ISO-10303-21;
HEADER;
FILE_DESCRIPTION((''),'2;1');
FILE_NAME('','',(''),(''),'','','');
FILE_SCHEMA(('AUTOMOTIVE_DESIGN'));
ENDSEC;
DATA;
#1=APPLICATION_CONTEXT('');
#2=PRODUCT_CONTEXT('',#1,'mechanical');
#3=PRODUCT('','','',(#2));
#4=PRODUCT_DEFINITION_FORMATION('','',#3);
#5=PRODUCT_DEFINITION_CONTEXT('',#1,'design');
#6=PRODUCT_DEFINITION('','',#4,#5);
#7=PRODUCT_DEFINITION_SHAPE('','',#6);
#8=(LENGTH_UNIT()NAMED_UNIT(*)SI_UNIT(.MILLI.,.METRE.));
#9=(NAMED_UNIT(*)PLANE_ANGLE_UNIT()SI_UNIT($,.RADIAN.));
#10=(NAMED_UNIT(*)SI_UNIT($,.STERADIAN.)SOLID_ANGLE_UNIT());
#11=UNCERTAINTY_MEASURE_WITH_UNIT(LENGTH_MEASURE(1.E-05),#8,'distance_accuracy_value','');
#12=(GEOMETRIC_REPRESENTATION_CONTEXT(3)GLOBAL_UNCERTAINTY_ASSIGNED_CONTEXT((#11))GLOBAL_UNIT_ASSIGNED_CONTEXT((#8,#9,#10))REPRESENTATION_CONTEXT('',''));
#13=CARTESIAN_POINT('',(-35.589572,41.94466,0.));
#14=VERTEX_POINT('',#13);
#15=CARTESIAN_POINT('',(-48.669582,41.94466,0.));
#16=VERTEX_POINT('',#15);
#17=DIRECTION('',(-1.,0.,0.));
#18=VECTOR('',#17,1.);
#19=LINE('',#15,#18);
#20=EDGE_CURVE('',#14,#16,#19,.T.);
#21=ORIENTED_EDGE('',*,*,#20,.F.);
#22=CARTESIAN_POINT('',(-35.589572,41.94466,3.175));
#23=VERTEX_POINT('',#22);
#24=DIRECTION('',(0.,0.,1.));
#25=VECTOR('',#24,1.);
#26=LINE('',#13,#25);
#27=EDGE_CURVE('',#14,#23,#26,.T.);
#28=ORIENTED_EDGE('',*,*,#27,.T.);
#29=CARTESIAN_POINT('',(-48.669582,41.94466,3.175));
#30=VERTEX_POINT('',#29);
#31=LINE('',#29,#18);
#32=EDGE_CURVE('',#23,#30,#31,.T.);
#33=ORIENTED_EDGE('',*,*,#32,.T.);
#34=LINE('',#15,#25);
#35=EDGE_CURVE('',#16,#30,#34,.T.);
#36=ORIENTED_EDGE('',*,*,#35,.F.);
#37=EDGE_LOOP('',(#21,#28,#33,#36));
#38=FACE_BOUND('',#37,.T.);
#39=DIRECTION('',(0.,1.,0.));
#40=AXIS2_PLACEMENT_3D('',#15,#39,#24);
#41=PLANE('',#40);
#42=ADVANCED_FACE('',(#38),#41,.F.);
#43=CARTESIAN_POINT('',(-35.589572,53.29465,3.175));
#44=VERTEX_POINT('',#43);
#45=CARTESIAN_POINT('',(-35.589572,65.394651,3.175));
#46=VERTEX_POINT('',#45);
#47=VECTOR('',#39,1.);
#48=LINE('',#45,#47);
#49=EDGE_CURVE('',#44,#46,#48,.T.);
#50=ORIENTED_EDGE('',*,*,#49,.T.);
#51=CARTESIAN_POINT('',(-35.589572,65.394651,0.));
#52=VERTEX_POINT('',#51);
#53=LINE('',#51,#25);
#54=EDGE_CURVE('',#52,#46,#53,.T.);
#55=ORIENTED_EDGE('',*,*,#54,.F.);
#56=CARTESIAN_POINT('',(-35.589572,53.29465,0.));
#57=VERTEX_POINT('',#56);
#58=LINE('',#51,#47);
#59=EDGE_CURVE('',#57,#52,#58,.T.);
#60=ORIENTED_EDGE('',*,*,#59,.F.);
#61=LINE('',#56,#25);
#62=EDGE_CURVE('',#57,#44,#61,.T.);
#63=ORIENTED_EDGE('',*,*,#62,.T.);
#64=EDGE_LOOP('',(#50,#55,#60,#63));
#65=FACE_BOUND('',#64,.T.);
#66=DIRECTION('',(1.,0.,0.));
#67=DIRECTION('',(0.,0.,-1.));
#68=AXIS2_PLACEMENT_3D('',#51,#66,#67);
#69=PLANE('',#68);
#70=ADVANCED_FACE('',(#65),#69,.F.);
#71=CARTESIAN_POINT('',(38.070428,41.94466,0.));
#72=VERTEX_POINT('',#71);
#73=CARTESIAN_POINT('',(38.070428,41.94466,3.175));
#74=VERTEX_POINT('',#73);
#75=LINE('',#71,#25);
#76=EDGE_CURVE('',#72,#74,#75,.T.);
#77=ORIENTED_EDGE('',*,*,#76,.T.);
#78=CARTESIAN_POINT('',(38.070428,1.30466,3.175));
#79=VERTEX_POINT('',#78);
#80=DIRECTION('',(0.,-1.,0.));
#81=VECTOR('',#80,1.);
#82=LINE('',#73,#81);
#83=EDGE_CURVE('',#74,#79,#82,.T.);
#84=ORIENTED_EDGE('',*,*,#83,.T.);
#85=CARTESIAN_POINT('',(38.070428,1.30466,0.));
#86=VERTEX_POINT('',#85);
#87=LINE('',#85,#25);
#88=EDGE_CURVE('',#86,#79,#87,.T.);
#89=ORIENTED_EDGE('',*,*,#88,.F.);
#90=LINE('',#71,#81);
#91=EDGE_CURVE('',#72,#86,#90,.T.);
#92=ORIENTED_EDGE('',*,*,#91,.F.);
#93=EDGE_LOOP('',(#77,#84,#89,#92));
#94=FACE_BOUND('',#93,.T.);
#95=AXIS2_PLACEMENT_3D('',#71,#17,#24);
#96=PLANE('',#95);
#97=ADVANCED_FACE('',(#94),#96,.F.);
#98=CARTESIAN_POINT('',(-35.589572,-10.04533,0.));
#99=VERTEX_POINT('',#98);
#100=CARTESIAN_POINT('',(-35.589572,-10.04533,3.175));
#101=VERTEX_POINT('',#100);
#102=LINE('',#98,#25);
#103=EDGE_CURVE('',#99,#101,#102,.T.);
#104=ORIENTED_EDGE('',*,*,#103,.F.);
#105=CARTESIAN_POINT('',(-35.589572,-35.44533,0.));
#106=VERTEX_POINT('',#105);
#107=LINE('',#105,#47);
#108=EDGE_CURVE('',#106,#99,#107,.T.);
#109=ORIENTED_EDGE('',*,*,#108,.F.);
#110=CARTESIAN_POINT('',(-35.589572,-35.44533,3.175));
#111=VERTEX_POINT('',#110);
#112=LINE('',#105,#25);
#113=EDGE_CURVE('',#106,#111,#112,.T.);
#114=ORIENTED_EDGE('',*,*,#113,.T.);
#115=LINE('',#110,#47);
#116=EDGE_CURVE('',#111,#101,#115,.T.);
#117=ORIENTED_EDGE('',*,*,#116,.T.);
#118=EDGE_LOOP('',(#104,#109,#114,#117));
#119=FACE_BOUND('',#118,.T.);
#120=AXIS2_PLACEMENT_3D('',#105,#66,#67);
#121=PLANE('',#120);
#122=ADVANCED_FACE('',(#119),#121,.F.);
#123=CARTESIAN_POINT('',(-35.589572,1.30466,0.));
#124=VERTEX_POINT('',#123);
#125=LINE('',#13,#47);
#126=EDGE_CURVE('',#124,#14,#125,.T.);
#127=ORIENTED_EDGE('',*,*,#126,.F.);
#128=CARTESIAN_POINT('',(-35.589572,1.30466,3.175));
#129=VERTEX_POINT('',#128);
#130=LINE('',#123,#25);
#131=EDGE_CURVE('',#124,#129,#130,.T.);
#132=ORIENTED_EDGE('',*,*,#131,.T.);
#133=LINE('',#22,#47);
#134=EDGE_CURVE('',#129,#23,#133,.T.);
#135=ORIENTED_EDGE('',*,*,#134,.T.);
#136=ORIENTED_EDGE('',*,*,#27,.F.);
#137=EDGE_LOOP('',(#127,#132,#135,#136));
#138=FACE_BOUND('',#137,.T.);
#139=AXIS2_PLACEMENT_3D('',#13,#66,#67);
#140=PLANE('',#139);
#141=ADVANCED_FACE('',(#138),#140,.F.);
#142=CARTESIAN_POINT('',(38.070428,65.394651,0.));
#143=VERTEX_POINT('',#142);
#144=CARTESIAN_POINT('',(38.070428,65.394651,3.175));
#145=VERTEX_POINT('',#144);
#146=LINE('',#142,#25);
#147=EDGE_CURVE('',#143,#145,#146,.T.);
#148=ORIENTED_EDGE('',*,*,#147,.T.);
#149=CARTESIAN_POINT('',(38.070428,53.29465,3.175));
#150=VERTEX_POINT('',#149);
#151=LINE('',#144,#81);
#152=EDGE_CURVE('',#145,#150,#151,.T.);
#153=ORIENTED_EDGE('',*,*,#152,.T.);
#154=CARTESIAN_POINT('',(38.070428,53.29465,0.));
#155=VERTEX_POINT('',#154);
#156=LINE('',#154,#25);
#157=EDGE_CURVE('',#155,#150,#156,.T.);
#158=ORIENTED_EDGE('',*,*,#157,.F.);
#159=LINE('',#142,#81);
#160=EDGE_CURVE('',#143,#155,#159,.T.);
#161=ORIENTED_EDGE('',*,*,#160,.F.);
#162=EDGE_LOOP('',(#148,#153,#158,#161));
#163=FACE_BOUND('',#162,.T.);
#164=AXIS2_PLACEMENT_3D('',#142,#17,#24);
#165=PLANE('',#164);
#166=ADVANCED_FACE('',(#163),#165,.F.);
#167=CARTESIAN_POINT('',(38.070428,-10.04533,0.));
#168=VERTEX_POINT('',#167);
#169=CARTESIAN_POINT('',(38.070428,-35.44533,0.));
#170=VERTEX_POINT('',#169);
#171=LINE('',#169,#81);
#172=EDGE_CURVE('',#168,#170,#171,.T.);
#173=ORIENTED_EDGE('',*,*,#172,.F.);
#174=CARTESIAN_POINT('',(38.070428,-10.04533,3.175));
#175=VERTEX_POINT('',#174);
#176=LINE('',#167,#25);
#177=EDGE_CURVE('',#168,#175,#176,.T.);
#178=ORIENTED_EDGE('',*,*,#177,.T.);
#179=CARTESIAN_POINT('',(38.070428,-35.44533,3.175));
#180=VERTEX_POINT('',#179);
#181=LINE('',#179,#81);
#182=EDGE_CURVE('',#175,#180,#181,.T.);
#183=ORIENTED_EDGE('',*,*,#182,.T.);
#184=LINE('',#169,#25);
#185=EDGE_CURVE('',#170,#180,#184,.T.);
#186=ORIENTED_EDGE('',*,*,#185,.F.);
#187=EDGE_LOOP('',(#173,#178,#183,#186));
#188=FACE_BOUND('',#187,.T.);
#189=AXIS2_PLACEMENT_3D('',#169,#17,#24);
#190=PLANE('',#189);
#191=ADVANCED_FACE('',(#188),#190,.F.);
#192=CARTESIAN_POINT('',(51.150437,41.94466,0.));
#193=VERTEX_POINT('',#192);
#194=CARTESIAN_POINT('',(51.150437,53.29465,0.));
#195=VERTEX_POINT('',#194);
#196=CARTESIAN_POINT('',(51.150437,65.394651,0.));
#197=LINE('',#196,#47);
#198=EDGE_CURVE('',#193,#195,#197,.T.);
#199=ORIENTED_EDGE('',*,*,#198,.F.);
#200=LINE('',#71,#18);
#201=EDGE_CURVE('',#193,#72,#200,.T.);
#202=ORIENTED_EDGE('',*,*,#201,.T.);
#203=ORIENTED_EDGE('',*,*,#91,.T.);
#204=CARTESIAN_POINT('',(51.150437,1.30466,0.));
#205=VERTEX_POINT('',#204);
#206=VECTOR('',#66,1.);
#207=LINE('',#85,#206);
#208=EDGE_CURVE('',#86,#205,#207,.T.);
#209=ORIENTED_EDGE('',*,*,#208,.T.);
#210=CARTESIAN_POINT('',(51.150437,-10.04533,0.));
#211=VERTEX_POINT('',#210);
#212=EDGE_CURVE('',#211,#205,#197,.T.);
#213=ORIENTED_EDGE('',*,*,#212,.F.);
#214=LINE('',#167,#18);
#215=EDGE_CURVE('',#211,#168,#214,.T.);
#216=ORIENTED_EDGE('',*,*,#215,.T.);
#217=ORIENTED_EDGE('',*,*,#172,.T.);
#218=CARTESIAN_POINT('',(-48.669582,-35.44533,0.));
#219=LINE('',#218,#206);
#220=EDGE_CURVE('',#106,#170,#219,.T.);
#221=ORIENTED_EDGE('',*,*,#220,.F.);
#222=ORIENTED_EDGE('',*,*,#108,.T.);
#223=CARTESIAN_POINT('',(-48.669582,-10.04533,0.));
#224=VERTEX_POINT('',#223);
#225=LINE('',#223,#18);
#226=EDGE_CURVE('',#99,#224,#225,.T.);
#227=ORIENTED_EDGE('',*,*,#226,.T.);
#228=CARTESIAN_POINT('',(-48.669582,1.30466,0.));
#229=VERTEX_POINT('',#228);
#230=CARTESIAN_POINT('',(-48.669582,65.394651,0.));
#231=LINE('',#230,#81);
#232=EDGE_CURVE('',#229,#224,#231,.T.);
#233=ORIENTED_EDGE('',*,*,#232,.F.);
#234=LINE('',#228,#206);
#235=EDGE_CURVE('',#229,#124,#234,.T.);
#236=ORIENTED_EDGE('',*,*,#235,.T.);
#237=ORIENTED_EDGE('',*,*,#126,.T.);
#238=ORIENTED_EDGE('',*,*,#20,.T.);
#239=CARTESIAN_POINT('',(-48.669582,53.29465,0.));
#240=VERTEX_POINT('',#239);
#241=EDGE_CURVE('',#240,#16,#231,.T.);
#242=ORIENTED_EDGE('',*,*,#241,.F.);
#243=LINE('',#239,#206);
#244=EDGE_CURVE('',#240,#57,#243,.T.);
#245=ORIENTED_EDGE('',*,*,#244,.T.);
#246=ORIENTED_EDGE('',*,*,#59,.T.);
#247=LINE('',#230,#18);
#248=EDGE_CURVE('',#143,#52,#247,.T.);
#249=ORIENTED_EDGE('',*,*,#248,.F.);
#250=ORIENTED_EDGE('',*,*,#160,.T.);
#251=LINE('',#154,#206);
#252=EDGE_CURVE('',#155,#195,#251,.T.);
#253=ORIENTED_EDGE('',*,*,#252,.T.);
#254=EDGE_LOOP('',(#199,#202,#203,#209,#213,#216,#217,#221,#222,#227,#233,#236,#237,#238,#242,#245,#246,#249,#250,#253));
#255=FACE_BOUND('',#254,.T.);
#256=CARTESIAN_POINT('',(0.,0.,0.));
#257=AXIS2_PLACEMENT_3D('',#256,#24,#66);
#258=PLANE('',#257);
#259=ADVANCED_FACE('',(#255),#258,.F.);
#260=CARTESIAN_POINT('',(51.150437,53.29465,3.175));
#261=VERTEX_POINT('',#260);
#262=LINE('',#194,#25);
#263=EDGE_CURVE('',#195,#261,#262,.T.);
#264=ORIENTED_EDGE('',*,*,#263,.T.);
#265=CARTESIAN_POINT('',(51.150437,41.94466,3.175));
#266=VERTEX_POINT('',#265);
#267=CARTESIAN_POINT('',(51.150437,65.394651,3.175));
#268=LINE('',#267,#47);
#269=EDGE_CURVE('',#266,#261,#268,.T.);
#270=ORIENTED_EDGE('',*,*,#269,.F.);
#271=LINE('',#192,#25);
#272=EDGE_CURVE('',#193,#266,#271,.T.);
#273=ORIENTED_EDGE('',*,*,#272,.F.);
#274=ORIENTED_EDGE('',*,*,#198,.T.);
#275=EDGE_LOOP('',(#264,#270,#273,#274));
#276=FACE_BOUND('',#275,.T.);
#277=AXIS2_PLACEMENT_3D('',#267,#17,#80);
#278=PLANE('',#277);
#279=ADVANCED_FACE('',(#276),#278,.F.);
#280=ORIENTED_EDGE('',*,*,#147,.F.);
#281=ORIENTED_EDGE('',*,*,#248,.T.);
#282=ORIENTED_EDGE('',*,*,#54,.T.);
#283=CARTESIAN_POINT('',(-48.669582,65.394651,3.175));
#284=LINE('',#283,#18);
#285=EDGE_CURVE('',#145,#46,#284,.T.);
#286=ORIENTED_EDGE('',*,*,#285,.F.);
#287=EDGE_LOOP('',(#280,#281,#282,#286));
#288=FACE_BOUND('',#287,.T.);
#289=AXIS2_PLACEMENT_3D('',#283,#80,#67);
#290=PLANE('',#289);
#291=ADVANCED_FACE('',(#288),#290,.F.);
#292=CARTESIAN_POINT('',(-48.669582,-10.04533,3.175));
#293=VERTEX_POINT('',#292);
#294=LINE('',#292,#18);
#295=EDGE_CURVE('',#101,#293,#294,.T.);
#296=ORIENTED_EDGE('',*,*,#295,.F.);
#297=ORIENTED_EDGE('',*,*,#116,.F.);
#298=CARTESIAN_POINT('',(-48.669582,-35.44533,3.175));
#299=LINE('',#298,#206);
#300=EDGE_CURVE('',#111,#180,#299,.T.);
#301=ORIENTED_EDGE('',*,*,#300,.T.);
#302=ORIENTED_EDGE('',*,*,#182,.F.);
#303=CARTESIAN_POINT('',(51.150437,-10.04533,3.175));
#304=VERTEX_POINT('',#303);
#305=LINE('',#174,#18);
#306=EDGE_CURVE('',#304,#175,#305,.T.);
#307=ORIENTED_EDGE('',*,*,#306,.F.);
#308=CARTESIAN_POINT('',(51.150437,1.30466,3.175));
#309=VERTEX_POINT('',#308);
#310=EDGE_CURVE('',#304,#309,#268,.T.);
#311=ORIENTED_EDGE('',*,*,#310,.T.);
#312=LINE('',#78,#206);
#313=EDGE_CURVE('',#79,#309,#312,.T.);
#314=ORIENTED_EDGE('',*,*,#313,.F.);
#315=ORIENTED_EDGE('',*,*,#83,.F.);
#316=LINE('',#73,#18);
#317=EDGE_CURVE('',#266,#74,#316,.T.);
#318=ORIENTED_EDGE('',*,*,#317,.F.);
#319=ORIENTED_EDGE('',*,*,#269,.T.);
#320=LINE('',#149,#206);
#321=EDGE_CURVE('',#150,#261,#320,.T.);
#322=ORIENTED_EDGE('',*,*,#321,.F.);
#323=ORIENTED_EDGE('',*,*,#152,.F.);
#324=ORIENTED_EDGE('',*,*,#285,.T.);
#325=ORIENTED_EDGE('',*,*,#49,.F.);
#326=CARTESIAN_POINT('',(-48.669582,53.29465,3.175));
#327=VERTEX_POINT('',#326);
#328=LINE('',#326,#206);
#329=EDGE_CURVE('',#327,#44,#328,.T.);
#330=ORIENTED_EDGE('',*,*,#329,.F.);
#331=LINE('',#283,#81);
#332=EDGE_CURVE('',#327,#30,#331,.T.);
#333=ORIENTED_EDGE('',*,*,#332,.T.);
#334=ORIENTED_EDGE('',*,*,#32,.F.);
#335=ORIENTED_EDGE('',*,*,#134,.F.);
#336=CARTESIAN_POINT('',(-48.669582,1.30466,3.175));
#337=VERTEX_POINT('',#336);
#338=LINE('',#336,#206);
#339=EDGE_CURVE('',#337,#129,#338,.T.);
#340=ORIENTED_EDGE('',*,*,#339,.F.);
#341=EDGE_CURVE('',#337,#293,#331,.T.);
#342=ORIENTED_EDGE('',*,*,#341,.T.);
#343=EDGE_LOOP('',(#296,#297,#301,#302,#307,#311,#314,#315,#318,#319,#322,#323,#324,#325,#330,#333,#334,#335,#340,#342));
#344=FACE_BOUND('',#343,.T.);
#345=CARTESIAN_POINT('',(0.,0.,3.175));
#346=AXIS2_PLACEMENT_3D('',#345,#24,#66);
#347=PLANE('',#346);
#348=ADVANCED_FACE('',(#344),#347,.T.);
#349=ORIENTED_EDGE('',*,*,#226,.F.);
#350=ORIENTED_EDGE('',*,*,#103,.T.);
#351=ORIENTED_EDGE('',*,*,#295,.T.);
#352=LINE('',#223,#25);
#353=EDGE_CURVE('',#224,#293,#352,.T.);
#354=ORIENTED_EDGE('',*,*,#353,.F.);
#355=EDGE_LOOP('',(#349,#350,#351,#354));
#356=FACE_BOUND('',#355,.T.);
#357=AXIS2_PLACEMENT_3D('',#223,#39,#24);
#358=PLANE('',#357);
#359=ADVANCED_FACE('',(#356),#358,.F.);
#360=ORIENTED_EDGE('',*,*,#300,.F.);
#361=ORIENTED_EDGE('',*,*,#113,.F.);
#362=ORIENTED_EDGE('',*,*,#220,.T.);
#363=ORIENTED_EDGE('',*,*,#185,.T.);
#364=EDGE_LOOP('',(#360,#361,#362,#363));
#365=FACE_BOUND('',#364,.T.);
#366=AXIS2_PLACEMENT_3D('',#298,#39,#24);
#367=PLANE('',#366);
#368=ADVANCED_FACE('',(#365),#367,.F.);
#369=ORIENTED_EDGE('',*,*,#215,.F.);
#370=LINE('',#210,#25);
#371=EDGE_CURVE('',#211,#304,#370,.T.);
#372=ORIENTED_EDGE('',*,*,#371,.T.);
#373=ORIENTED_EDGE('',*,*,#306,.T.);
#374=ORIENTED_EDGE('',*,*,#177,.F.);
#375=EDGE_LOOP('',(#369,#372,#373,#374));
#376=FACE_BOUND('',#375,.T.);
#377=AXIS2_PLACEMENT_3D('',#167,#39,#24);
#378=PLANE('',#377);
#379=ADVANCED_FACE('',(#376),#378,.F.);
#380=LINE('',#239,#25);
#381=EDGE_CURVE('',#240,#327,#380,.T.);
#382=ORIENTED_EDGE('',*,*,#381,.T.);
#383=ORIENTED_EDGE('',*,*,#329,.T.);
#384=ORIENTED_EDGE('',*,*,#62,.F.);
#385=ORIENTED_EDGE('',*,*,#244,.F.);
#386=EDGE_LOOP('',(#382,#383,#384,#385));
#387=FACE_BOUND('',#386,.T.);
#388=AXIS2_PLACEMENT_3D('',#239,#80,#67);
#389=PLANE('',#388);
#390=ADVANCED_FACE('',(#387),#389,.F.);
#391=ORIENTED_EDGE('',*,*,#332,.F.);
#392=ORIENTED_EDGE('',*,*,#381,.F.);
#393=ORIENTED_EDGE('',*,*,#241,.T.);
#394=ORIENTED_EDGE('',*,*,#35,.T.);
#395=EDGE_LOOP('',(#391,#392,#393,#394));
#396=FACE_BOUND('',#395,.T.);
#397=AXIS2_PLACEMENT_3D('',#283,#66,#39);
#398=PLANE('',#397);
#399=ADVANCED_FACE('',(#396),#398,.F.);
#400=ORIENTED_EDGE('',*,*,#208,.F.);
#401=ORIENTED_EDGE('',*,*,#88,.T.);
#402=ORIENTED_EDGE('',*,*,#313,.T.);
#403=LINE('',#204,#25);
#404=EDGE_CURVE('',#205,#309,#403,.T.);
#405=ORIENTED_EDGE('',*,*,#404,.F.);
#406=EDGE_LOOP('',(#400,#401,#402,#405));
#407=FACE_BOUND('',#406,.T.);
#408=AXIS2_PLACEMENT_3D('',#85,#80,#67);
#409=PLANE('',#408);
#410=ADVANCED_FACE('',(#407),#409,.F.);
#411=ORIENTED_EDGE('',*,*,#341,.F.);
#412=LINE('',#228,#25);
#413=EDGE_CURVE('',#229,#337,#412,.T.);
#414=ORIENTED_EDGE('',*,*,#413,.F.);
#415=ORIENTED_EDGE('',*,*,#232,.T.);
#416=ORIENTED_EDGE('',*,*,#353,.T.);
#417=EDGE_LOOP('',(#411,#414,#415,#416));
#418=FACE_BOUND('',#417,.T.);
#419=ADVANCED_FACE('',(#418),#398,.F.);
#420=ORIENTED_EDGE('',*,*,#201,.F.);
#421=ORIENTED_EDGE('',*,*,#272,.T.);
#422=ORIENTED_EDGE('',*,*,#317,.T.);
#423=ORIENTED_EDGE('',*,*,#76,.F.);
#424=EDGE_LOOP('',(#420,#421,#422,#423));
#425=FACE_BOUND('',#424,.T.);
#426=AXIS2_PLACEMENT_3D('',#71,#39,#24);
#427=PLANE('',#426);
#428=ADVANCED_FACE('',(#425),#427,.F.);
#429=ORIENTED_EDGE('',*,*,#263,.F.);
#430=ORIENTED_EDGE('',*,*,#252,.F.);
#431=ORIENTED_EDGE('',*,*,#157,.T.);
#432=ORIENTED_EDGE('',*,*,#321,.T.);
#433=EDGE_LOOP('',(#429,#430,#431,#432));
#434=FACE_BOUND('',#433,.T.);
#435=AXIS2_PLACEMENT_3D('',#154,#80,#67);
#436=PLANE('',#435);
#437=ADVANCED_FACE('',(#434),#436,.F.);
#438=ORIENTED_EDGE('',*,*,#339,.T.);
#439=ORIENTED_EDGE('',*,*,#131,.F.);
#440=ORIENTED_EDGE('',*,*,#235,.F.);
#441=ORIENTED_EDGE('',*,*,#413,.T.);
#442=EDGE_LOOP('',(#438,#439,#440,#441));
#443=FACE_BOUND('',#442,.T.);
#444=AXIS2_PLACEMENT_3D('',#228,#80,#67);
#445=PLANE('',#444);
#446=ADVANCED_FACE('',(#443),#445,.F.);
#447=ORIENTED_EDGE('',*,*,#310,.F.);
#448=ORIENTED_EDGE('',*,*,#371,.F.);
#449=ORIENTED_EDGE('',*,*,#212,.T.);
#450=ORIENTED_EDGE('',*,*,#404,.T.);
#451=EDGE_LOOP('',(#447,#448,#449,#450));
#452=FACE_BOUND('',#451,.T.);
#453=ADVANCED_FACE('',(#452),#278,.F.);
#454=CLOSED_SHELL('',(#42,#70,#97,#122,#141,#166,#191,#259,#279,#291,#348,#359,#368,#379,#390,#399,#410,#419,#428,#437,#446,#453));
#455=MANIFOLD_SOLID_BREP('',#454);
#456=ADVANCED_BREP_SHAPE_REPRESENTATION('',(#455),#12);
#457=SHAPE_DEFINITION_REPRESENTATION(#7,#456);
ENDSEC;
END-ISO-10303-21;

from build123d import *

# Parameters (mm, degrees)
SKETCH1_W           = 99.8200188
SKETCH1_H           = 100.8399812
BOSS_EXTRUDE1_DEPTH = 3.175
SKETCH3_W           = 13.0800094
SKETCH3_H           = 12.1000012
SKETCH3_H_2         = 40.64
SKETCH3_H_3         = 25.4
CUT_EXTRUDE1_DEPTH  = 3.175


with BuildPart() as part:
    # Sketch1 → Boss-Extrude1 (new body)
    with BuildSketch(Plane.XY):
        with Locations((1.240427696, 14.974660495)):
            Rectangle(SKETCH1_W, SKETCH1_H)
    extrude(amount=BOSS_EXTRUDE1_DEPTH)

    # Sketch3 → Cut-Extrude1 (cut)
    with BuildSketch(Plane.XY.offset(3.175)):
        with Locations((-42.129577004, 59.344650495)):
            Rectangle(SKETCH3_W, SKETCH3_H)
        with Locations((44.610432396, 59.344650495)):
            Rectangle(SKETCH3_W, SKETCH3_H)
        with Locations((-42.129577004, 21.624659895)):
            Rectangle(SKETCH3_W, SKETCH3_H_2)
        with Locations((-42.129577004, -22.745330105)):
            Rectangle(SKETCH3_W, SKETCH3_H_3)
        with Locations((44.610432396, 21.624659895)):
            Rectangle(SKETCH3_W, SKETCH3_H_2)
        with Locations((44.610432396, -22.745330105)):
            Rectangle(SKETCH3_W, SKETCH3_H_3)
    extrude(amount=-CUT_EXTRUDE1_DEPTH, mode=Mode.SUBTRACT)


solid = part.part
